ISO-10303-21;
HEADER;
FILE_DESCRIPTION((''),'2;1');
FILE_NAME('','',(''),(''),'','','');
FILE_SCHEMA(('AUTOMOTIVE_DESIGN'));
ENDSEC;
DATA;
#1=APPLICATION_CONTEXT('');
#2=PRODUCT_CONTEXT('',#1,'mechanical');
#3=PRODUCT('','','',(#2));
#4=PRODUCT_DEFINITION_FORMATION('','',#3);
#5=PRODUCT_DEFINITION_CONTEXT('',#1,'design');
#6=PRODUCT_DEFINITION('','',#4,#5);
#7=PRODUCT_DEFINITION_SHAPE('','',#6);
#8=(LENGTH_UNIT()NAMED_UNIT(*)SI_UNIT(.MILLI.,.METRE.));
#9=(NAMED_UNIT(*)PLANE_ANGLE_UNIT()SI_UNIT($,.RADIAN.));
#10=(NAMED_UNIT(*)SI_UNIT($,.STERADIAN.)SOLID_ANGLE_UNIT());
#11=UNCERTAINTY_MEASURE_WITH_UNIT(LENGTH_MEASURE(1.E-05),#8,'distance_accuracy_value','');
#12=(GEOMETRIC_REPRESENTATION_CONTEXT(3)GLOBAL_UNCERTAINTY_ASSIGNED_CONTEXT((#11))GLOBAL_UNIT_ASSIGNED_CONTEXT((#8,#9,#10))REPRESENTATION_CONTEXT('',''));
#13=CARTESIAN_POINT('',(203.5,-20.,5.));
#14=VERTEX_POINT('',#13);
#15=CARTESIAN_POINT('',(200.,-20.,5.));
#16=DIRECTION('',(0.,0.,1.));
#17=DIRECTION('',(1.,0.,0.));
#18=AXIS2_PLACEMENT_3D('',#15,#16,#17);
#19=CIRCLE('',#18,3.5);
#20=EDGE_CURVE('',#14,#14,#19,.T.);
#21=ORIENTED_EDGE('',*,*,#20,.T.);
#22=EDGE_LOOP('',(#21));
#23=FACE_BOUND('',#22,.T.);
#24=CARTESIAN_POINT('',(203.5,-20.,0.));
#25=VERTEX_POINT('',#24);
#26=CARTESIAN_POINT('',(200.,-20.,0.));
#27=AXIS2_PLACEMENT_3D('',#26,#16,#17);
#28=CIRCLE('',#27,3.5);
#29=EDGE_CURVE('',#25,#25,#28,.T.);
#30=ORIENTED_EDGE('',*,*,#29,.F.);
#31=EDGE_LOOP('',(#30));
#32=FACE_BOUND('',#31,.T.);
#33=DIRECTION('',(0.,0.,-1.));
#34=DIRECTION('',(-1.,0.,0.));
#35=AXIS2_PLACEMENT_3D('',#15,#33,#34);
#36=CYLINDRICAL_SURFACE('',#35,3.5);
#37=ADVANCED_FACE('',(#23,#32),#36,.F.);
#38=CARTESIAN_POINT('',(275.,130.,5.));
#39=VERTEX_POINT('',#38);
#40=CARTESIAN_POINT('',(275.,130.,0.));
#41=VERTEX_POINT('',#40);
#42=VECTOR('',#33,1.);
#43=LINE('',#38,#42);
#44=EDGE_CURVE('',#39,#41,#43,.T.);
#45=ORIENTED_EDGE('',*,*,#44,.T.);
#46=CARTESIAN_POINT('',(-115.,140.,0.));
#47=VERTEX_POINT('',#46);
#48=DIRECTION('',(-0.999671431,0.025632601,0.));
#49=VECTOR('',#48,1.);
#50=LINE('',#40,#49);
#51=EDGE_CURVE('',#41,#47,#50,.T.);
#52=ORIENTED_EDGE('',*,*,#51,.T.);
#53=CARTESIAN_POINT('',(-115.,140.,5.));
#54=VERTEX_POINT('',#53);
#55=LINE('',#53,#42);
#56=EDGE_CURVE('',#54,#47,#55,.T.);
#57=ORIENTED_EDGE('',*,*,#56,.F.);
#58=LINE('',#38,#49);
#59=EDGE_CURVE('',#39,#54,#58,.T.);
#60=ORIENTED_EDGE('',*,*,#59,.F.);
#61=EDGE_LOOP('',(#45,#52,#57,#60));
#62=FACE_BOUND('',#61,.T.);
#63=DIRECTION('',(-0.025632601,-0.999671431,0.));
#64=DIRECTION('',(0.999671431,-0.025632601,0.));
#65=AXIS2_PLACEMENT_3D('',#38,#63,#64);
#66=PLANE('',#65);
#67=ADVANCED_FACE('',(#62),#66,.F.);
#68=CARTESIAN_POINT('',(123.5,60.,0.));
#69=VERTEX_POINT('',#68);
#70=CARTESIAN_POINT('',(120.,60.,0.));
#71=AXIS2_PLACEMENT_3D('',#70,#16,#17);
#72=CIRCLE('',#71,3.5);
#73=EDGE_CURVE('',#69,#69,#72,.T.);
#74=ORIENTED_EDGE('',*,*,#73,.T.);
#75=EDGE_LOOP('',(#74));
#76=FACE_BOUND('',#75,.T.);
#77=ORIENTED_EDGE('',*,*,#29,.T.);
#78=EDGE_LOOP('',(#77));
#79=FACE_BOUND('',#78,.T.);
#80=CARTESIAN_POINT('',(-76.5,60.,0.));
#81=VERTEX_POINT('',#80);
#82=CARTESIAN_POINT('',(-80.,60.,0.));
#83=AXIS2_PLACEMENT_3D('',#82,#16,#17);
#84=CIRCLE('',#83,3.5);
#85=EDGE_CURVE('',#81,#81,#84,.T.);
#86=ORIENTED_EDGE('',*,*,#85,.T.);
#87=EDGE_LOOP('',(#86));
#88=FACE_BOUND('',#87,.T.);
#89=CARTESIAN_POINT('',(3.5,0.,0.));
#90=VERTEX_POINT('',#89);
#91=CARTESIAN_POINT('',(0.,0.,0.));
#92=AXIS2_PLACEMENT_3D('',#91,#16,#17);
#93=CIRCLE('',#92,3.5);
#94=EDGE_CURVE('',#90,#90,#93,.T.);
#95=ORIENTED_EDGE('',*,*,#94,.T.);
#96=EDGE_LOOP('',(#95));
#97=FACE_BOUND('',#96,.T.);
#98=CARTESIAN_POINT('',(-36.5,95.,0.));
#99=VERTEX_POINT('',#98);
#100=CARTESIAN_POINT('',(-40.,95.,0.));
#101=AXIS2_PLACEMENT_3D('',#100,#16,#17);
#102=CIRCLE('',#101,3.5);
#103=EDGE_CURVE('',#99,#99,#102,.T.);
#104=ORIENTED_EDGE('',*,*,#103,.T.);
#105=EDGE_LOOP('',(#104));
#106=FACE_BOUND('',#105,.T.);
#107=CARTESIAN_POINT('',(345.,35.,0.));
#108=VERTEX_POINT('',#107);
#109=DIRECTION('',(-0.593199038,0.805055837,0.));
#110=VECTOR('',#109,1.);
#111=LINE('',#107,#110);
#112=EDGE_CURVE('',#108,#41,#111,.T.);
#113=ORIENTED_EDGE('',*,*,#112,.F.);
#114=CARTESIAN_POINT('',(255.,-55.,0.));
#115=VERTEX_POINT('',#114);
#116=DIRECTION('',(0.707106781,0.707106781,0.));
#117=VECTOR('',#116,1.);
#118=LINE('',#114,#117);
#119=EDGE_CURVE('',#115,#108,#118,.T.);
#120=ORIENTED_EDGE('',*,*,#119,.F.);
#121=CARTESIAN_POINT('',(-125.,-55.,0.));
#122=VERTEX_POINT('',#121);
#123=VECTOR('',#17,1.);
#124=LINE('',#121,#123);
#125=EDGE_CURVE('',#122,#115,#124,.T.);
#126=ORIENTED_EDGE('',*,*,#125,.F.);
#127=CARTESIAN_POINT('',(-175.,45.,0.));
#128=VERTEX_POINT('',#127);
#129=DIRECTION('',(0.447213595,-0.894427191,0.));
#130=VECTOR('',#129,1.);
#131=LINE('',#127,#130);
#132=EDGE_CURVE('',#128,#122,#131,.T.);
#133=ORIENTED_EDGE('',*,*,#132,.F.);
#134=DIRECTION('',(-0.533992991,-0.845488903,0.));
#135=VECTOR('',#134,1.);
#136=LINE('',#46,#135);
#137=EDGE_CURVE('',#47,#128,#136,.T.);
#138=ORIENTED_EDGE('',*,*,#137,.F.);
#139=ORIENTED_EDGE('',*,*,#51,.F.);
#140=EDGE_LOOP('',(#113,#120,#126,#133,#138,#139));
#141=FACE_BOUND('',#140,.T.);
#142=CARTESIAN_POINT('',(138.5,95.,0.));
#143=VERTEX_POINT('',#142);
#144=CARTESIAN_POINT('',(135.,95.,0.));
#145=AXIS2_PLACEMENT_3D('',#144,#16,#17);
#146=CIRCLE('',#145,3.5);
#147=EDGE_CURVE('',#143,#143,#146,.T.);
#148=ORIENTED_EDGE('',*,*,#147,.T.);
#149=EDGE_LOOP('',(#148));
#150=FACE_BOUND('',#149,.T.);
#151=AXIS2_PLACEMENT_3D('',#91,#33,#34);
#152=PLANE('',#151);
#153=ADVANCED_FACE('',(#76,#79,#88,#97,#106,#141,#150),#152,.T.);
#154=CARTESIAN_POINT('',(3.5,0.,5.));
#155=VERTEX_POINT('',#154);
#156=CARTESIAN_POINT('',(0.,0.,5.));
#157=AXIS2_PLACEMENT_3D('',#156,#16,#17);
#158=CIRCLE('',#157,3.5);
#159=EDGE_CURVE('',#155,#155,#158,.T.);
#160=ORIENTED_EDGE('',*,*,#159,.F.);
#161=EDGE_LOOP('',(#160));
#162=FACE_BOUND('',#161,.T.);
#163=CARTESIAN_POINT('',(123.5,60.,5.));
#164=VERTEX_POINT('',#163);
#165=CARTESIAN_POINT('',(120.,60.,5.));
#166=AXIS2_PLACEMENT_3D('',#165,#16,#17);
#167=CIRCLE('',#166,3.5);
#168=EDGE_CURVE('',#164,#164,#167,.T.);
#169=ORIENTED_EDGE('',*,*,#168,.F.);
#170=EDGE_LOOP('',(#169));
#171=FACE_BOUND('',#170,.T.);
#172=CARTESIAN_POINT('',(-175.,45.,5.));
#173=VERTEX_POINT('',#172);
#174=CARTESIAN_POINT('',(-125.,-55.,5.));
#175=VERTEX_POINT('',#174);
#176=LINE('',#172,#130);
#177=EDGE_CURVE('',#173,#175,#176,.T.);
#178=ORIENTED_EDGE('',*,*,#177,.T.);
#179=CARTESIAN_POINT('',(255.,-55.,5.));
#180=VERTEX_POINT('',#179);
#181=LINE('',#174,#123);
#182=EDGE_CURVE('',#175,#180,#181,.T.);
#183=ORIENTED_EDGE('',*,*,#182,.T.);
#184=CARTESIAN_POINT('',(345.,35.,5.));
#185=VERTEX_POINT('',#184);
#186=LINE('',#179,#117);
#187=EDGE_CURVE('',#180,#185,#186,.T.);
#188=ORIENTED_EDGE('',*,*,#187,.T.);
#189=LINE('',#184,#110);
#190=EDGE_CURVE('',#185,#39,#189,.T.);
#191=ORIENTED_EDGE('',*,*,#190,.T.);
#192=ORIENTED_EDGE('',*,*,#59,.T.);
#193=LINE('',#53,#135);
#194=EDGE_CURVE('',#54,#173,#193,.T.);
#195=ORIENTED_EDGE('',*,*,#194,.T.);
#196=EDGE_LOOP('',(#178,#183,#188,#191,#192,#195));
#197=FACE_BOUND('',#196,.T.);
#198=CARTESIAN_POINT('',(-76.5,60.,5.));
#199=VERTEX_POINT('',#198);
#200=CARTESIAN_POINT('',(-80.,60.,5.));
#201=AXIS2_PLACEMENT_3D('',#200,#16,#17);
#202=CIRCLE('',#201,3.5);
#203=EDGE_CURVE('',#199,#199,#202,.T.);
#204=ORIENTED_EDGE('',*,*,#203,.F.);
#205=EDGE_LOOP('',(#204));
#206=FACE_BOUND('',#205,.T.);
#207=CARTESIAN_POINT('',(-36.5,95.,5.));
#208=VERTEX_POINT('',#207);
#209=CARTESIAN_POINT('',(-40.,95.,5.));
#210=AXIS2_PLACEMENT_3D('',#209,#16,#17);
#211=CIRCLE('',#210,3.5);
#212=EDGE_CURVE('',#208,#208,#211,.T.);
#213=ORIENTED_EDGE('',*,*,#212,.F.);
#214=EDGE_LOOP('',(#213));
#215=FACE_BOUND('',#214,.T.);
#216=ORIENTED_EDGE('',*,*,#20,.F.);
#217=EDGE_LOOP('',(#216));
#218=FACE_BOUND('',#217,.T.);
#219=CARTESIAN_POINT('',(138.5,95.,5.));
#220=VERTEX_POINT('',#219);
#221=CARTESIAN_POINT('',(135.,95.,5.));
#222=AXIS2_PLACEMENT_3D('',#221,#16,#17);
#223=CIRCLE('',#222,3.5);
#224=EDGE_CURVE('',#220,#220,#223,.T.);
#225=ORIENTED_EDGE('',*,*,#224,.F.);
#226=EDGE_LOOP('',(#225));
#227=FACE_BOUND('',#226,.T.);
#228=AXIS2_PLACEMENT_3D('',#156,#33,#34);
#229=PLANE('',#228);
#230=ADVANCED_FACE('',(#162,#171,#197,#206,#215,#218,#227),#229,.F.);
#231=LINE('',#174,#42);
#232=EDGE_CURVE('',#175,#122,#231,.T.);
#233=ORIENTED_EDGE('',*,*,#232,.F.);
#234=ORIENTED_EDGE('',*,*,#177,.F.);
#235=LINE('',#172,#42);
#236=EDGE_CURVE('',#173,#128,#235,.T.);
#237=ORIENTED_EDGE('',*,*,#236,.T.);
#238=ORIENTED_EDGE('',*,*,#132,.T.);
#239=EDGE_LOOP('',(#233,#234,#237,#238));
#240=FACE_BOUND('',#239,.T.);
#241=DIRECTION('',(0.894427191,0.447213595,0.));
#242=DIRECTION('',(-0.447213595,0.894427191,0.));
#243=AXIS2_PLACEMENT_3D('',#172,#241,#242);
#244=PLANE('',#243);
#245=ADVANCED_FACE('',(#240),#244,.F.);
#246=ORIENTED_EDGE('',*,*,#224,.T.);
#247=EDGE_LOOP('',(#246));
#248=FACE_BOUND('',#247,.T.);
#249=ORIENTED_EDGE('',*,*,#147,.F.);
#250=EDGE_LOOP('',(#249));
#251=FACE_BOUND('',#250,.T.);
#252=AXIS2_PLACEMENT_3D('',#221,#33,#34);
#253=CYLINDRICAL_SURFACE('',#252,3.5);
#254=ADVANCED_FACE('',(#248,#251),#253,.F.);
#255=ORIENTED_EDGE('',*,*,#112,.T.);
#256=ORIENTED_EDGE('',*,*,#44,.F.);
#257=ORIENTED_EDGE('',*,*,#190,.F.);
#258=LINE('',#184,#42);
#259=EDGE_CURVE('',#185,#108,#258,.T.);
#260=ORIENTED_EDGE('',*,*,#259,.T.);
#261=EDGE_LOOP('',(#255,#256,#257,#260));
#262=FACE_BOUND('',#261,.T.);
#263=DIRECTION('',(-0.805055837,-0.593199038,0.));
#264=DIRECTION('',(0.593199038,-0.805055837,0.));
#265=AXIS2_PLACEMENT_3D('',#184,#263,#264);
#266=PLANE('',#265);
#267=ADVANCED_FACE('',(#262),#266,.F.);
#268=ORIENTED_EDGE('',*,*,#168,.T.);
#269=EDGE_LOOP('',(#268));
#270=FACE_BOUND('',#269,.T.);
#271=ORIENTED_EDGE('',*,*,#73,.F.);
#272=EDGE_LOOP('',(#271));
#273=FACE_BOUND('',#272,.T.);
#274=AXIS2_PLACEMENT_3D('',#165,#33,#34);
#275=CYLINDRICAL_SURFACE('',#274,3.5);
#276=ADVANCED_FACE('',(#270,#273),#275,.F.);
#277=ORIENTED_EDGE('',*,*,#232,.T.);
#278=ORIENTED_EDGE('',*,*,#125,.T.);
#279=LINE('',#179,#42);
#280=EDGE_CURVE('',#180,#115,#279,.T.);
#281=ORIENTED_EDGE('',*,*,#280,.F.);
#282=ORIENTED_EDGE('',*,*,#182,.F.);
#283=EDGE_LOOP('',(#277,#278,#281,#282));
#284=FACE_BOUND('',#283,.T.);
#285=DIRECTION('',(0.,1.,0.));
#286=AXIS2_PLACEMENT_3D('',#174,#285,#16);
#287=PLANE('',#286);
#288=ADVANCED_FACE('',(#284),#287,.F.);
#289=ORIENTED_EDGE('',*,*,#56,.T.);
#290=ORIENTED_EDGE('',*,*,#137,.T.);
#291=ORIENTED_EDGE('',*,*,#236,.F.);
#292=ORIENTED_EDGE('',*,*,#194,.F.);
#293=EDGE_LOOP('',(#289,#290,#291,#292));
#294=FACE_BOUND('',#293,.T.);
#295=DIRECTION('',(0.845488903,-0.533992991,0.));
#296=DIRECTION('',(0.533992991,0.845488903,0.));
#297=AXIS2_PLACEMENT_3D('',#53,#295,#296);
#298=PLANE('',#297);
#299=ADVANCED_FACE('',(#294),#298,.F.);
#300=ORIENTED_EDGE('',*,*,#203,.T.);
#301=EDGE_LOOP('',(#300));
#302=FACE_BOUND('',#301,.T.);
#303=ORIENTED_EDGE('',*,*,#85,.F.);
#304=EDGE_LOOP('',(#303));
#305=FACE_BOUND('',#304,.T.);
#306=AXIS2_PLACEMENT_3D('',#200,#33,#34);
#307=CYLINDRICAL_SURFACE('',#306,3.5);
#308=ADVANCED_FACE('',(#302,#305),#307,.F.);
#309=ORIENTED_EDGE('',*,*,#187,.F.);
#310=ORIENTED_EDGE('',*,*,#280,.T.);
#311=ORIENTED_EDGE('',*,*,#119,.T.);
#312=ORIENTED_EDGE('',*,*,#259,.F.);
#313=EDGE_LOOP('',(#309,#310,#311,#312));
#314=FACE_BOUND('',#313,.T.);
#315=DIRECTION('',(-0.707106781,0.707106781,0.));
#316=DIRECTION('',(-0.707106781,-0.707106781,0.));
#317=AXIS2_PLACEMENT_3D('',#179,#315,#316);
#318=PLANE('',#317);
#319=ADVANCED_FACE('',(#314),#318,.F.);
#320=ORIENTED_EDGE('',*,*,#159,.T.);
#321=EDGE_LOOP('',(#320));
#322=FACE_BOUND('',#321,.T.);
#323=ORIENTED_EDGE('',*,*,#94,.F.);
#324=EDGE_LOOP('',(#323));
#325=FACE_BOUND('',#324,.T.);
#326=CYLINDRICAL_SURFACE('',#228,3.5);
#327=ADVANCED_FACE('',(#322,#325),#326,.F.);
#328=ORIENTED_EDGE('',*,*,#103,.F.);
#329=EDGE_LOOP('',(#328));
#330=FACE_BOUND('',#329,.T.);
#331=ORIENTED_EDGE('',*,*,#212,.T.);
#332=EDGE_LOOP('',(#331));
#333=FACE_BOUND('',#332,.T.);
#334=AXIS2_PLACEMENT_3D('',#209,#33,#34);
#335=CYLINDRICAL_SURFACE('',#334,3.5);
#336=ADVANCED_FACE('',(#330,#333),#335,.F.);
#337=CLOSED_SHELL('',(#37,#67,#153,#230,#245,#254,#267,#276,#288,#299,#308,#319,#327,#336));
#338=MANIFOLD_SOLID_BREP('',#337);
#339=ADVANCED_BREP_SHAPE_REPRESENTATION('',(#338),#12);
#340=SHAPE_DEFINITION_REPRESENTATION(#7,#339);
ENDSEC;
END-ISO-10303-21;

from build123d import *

# Parameters (mm, degrees)
SKETCH_1_R      = 3.5
EXTRUDE_1_DEPTH = 5


with BuildPart() as part:
    # 草图1 → 凸台-拉伸1 (new body)
    with BuildSketch(Plane.XY):
        Polygon((-175, 45), (-125, -55), (255, -55), (345, 35), (275, 130), (-115, 140), align=None)
        Circle(SKETCH_1_R, mode=Mode.SUBTRACT)
        with Locations((-80, 60)):
            Circle(SKETCH_1_R, mode=Mode.SUBTRACT)
        with Locations((120, 60)):
            Circle(SKETCH_1_R, mode=Mode.SUBTRACT)
        with Locations((200, -20)):
            Circle(SKETCH_1_R, mode=Mode.SUBTRACT)
        with Locations((-40, 95)):
            Circle(SKETCH_1_R, mode=Mode.SUBTRACT)
        with Locations((135, 95)):
            Circle(SKETCH_1_R, mode=Mode.SUBTRACT)
    extrude(amount=EXTRUDE_1_DEPTH)


solid = part.part
